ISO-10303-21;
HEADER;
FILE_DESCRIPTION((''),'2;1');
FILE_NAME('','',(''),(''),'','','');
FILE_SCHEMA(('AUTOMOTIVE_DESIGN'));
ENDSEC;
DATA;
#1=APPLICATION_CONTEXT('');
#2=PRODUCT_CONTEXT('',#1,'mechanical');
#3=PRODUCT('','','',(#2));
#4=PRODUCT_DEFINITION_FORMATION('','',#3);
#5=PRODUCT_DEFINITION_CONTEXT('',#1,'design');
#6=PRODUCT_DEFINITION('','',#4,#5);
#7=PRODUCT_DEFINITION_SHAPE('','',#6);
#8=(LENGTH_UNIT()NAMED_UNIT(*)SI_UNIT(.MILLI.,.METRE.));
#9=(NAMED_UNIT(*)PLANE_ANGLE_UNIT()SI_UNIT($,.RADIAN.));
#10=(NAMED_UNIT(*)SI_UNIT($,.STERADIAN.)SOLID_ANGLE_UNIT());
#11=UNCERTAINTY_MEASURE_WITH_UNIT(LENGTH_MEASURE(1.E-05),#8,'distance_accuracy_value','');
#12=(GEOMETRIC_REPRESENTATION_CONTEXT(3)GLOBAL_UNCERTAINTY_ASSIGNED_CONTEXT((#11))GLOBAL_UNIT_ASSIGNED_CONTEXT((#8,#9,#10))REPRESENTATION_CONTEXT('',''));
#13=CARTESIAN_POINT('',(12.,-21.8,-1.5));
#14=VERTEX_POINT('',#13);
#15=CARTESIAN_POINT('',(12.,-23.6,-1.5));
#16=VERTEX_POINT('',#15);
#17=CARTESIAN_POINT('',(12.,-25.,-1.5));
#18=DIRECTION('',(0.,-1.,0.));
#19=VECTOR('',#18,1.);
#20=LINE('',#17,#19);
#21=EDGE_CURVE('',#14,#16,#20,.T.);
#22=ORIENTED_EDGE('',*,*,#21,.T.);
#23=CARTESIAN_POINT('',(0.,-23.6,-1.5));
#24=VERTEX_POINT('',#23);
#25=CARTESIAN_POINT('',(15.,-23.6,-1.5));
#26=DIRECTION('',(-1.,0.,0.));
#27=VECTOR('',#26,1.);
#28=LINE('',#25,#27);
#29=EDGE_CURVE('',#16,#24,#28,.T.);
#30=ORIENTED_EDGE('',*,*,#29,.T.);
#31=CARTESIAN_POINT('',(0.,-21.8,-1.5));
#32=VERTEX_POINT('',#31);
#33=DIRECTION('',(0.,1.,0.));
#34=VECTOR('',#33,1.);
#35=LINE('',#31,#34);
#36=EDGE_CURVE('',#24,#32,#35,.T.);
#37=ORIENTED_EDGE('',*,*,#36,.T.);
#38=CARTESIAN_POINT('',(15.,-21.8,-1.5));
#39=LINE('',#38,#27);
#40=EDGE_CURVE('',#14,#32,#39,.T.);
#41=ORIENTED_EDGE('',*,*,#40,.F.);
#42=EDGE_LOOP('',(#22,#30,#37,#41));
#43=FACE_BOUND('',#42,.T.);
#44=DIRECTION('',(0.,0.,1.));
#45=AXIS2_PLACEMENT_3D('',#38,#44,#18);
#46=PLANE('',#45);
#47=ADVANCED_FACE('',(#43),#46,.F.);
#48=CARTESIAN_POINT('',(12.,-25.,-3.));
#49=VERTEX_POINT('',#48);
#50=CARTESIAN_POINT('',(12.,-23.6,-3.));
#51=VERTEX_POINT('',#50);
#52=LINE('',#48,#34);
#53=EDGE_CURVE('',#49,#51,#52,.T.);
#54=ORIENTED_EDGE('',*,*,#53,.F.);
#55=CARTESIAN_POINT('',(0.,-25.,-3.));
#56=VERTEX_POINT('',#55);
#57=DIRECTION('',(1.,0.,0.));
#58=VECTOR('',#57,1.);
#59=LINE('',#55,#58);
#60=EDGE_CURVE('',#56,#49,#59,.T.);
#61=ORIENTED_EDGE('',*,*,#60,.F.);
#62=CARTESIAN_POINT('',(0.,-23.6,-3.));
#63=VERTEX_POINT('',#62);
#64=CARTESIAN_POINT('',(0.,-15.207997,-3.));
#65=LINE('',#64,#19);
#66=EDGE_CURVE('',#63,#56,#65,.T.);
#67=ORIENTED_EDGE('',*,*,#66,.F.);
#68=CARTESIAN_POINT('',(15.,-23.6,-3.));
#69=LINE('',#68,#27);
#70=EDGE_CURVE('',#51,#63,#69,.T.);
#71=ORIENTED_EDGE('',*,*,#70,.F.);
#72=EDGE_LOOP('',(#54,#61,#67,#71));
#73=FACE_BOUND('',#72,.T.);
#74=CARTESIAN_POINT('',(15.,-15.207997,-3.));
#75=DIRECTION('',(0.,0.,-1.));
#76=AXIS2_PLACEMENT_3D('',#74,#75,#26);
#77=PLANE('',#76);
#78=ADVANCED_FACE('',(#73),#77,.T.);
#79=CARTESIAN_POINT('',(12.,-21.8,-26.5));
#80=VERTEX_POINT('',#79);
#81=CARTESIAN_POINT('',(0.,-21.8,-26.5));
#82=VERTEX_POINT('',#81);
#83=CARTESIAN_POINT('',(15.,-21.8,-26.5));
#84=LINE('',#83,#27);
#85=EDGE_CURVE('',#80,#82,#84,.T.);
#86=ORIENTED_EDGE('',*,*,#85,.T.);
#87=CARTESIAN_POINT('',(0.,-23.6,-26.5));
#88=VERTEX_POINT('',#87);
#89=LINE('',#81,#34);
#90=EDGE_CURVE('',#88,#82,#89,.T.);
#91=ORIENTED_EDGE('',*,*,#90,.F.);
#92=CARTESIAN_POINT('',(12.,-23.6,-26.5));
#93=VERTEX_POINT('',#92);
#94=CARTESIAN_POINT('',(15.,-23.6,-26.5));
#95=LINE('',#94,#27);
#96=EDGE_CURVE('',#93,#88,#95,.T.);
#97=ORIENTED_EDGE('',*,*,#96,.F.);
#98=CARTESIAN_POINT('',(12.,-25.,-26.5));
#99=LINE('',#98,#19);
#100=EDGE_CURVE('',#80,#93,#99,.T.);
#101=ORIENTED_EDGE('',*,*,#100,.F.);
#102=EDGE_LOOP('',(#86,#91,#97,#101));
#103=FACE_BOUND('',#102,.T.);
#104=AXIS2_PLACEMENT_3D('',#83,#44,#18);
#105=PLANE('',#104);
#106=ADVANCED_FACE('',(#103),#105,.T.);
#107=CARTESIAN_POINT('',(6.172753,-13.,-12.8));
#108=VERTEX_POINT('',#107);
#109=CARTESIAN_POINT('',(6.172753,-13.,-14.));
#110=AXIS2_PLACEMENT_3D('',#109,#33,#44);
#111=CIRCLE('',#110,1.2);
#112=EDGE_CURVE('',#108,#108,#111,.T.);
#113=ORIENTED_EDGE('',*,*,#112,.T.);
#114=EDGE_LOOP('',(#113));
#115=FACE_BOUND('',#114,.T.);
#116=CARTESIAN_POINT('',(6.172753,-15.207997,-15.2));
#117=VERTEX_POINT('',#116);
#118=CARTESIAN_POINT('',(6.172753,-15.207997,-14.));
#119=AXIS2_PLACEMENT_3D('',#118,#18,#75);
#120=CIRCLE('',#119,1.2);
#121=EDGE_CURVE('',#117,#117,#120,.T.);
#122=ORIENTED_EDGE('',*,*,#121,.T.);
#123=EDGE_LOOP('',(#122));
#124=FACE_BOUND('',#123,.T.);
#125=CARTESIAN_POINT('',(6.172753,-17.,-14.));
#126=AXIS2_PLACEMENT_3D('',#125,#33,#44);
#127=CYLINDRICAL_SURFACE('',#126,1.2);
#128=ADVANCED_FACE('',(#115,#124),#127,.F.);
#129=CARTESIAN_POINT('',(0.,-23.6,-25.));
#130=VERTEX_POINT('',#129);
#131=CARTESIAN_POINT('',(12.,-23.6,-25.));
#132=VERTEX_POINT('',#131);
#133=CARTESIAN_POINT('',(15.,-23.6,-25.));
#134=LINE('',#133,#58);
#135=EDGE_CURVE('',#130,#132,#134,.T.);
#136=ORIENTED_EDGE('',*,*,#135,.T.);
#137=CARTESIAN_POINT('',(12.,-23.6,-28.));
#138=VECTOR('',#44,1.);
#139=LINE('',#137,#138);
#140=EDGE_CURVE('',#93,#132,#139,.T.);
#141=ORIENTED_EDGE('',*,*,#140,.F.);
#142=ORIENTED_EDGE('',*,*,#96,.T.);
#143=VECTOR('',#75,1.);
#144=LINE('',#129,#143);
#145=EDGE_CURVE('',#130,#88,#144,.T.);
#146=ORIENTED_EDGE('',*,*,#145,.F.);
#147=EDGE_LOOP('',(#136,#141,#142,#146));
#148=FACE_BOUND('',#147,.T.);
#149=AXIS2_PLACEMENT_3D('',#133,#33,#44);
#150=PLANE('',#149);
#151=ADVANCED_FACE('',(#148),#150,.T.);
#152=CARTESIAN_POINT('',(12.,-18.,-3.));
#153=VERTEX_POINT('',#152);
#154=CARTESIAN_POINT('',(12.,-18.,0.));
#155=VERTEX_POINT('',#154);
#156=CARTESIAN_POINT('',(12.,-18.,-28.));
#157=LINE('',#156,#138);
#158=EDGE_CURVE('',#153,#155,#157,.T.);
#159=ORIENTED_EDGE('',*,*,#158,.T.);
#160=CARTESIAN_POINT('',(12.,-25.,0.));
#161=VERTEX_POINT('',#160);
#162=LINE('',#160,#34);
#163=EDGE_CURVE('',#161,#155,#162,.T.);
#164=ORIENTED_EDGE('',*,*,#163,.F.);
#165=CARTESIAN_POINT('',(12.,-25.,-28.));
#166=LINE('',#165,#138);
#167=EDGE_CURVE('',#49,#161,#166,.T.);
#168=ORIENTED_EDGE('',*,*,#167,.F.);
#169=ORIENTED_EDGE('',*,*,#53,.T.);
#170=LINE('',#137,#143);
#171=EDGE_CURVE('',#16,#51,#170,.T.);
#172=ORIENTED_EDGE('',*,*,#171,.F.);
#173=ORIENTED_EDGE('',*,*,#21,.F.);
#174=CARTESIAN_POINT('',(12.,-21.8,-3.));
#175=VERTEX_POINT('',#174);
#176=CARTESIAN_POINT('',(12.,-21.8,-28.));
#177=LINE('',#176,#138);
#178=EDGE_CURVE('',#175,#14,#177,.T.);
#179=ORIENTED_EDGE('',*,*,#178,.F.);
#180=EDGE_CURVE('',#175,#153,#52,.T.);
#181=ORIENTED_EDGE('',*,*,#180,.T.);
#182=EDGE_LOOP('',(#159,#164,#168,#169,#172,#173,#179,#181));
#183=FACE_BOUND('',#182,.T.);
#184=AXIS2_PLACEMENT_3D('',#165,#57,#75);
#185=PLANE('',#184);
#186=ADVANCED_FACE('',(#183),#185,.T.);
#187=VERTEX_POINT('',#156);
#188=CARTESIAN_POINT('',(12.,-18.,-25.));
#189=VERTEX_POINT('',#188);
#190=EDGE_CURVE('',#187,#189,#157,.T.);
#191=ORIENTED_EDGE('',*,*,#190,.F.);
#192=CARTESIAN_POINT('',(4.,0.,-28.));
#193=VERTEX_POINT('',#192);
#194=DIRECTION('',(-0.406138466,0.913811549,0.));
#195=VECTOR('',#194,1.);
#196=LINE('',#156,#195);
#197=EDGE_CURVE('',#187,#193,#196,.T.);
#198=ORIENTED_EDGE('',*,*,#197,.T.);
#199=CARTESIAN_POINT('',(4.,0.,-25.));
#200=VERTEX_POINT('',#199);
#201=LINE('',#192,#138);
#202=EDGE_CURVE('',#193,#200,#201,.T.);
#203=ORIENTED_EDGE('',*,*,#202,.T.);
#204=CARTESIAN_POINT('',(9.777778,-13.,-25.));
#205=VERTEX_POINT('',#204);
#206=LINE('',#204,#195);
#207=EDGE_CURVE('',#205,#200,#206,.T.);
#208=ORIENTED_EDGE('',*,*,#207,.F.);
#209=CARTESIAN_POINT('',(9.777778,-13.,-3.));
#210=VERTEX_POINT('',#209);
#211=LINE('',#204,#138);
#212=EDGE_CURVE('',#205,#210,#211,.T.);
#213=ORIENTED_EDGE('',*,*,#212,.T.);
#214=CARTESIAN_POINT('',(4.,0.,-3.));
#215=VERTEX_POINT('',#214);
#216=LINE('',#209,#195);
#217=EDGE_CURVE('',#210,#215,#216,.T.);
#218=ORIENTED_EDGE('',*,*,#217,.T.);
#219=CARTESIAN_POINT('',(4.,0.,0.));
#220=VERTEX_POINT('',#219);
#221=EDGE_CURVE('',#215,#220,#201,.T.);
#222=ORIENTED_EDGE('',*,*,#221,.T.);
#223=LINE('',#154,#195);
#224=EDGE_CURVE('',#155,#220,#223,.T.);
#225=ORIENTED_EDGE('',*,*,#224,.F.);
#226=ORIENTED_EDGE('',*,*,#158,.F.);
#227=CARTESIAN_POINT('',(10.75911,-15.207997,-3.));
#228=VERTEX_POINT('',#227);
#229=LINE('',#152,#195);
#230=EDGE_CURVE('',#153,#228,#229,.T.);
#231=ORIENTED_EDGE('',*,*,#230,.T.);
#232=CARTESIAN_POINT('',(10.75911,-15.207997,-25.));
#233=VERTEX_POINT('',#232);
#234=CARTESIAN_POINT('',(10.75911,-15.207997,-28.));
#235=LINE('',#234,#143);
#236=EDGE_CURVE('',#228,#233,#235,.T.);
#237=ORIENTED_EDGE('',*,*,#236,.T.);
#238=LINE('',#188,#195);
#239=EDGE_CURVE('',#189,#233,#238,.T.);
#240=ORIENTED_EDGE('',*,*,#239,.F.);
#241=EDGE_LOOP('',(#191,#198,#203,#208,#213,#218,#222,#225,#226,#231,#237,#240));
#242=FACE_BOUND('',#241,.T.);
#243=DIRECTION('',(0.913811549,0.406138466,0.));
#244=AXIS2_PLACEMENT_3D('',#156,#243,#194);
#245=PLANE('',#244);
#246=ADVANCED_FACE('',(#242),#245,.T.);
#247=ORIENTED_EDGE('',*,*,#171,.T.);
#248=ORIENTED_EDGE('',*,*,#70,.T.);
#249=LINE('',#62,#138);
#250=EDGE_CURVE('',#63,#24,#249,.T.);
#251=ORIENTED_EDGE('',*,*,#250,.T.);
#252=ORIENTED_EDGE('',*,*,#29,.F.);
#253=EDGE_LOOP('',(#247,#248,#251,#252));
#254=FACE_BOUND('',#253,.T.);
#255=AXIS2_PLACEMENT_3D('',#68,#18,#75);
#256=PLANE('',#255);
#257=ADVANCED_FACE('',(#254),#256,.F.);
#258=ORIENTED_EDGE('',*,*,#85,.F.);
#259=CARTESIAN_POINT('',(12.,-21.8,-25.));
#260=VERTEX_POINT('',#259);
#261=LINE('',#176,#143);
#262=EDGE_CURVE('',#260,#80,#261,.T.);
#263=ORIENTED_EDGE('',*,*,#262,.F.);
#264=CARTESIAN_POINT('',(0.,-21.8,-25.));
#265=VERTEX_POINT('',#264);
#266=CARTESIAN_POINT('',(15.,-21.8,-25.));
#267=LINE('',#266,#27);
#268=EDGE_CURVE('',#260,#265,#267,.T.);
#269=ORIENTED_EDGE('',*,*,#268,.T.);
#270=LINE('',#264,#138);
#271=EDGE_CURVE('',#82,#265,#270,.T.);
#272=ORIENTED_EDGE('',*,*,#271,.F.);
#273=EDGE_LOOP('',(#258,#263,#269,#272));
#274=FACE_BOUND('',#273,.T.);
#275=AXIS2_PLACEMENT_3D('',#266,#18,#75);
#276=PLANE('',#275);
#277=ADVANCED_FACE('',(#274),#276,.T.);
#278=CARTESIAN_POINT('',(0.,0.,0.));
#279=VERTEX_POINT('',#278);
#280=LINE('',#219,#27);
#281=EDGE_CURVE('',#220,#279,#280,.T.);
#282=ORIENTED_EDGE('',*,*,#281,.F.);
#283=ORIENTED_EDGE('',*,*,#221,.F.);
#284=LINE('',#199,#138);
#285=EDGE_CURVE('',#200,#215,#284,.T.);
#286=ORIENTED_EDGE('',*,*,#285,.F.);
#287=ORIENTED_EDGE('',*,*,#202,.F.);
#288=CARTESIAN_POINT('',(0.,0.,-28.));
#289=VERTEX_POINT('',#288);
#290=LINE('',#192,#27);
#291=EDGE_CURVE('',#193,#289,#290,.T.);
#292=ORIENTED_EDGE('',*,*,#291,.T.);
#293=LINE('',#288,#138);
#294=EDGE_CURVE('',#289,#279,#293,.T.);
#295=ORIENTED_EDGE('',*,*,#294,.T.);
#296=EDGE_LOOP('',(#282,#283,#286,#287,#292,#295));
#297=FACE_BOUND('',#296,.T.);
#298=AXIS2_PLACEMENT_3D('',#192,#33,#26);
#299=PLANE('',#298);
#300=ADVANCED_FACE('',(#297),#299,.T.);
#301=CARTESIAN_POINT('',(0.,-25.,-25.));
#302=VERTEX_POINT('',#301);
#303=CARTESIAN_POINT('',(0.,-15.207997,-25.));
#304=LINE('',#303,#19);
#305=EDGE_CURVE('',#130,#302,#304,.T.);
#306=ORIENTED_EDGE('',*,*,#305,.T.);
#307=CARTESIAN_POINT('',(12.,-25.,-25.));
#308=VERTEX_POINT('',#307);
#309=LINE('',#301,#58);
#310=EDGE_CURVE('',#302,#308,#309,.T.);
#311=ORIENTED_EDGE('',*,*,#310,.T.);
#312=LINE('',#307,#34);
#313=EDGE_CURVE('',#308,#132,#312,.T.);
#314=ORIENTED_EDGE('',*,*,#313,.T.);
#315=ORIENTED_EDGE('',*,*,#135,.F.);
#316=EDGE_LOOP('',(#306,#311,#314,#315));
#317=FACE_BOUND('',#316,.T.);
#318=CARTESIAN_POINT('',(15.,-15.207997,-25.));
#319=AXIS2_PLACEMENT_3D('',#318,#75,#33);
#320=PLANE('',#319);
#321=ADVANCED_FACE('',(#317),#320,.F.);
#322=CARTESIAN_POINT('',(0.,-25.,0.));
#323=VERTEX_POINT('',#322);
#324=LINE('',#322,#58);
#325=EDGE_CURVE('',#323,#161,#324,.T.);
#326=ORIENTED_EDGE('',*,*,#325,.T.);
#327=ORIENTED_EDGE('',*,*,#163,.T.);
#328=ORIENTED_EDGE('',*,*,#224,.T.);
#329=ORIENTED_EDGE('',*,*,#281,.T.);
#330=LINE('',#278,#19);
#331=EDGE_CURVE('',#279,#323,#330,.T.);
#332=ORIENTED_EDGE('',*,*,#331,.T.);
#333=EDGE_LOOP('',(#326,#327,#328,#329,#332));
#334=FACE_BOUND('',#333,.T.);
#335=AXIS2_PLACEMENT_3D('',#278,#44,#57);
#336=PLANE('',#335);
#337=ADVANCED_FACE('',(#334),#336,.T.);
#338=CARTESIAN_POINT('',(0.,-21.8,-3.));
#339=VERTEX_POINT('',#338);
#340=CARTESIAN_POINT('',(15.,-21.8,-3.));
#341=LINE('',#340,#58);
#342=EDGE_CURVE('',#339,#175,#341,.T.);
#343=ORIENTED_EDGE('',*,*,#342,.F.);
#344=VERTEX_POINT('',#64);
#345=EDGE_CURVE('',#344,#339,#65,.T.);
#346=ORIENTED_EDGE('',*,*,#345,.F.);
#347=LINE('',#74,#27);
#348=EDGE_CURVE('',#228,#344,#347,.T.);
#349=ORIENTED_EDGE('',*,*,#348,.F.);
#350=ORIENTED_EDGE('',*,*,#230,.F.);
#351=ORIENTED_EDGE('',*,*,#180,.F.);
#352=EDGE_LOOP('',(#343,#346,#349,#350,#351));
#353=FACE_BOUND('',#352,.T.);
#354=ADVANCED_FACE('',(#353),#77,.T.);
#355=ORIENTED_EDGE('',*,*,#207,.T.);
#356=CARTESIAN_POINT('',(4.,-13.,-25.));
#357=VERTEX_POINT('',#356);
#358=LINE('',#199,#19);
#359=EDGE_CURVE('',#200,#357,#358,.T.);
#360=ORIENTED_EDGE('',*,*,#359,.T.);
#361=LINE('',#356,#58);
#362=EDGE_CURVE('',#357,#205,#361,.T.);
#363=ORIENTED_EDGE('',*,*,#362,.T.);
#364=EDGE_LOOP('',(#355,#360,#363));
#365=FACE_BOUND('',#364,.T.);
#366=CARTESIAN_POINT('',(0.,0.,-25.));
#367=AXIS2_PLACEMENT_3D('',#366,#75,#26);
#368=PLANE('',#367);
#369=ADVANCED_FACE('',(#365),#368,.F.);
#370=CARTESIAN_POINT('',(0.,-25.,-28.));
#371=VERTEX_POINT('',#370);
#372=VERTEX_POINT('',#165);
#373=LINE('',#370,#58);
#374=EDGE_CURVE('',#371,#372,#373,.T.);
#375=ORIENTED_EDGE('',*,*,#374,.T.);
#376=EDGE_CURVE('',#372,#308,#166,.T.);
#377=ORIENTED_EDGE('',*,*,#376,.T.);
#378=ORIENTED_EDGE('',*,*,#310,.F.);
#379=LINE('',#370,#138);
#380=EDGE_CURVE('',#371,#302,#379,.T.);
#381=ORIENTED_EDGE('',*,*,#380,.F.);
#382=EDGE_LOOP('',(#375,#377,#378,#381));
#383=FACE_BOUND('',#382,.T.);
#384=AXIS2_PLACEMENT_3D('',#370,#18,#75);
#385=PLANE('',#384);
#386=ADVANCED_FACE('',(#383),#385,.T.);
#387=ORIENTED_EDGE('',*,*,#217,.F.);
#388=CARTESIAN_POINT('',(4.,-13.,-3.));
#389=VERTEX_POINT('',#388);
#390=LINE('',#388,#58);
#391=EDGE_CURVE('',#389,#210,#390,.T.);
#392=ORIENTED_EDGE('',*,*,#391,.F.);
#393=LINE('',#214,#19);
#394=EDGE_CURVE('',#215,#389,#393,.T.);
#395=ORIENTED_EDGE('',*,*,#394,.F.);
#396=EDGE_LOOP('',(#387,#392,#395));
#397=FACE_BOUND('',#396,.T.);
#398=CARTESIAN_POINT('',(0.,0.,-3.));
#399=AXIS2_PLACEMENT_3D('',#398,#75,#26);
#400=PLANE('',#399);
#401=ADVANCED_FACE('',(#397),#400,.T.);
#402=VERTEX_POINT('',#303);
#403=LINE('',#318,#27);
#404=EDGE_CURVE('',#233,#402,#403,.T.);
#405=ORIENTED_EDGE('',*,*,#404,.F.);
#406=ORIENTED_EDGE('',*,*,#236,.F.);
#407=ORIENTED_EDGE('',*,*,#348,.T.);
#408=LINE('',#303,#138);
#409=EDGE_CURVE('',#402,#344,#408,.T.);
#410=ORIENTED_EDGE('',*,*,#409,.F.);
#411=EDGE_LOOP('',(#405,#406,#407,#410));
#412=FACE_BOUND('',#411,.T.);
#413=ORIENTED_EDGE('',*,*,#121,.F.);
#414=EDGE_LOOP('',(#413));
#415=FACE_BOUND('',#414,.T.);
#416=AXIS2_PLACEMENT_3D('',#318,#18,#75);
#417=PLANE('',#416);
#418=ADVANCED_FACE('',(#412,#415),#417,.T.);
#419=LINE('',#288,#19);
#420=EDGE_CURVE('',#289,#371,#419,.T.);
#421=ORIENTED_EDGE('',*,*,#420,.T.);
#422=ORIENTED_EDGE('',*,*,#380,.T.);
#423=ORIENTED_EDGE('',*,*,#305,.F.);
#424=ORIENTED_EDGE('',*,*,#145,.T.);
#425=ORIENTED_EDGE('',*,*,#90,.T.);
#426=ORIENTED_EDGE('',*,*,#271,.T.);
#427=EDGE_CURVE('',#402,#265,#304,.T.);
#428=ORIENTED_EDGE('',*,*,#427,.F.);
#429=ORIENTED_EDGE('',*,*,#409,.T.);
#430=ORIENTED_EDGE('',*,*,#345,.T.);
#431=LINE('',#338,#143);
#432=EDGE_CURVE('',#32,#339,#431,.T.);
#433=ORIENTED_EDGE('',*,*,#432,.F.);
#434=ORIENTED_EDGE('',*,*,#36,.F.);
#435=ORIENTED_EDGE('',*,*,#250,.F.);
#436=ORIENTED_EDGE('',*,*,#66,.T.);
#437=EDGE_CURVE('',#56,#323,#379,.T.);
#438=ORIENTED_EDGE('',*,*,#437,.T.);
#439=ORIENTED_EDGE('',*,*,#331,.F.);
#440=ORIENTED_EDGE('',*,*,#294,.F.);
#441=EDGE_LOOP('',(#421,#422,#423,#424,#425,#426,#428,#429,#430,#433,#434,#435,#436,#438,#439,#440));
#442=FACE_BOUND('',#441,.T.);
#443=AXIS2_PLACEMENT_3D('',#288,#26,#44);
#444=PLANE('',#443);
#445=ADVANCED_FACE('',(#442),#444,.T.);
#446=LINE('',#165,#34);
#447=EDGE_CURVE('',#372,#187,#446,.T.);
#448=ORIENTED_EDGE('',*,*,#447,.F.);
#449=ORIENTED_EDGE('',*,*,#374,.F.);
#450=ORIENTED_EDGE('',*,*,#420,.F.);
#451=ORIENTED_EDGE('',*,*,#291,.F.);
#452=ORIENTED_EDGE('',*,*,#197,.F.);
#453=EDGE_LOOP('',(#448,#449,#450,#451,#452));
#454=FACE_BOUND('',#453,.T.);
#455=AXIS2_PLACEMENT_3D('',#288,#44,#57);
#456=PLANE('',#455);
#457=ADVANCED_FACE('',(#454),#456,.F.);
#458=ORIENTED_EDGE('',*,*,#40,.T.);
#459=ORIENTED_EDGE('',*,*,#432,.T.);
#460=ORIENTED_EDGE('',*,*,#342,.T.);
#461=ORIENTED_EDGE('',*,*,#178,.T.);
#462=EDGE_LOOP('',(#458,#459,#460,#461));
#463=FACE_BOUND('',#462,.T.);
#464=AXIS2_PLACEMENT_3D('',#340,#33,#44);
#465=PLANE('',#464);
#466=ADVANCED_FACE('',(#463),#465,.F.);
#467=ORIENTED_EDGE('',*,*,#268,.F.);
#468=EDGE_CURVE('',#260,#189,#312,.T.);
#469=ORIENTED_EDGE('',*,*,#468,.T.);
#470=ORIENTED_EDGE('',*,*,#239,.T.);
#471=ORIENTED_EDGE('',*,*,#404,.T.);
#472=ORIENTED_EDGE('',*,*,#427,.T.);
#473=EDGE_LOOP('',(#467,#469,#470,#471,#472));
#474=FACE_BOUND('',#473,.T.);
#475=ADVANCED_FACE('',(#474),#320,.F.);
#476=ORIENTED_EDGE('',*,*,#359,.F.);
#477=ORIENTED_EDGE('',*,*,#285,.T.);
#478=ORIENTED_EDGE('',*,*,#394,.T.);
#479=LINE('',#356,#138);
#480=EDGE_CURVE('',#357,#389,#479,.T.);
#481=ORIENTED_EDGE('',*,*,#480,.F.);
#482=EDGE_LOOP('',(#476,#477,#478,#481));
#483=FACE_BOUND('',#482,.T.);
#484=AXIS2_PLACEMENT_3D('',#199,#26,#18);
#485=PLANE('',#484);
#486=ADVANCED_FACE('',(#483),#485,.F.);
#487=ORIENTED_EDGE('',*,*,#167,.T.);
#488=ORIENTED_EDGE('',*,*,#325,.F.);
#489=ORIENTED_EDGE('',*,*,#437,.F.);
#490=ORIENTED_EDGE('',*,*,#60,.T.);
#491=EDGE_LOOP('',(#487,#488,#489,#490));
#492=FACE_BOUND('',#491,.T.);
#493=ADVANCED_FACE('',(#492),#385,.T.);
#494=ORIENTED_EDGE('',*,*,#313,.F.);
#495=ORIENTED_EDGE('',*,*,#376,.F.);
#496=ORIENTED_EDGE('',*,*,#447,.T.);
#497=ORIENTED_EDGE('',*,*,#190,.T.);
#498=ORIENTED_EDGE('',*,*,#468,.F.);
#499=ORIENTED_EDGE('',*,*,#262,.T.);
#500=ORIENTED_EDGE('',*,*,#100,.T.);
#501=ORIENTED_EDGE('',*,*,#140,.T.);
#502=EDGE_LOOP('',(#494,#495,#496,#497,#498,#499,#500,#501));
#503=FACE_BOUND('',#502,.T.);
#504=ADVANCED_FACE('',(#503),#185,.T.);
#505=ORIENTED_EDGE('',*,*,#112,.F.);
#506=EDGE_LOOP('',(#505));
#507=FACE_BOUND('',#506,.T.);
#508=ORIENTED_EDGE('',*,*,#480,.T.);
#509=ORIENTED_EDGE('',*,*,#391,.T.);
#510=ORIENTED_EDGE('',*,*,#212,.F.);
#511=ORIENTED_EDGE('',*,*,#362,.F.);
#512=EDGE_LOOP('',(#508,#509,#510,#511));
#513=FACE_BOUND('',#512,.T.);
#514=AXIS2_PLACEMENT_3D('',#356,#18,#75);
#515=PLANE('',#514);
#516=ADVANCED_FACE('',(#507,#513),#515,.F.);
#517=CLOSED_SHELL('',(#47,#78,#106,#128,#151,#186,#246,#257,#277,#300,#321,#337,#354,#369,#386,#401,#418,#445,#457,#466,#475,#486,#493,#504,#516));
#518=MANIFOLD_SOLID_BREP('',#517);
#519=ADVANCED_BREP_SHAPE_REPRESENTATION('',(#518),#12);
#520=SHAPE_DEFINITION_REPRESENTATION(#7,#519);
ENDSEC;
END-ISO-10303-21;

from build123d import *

# Parameters (mm, degrees)
BOSS_EXTRUDE1_DEPTH = 28
SKETCH4_W           = 22
SKETCH4_H           = 10
CUT_EXTRUDE2_DEPTH  = 15
SKETCH5_W           = 1.5
SKETCH5_H           = 1.8
CUT_EXTRUDE3_DEPTH  = 15
CUT_EXTRUDE4_DEPTH  = 11
SKETCH7_R           = 1.2
CUT_EXTRUDE5_DEPTH  = 4


with BuildPart() as part:
    # Sketch1 → Boss-Extrude1 (new body)
    with BuildSketch(Plane.XY):
        Polygon((0, 0), (0, -25), (12, -25), (12, -18), (4, 0), align=None)
    extrude(amount=-BOSS_EXTRUDE1_DEPTH)

    # Sketch4 → Cut-Extrude2 (cut)
    with BuildSketch(Plane.ZY):
        with Locations((-14, -20.207997185)):
            Rectangle(SKETCH4_W, SKETCH4_H)
    extrude(amount=-CUT_EXTRUDE2_DEPTH, mode=Mode.SUBTRACT)

    # Sketch5 → Cut-Extrude3 (cut)
    with BuildSketch(Plane.ZY):
        with Locations((-2.25, -22.7)):
            Rectangle(SKETCH5_W, SKETCH5_H)
    cut_extrude3 = extrude(amount=-CUT_EXTRUDE3_DEPTH, mode=Mode.SUBTRACT)

    # Mirror1: Cut-Extrude3 across plane
    add(cut_extrude3.mirror(Plane.XY.offset(-14)), mode=Mode.SUBTRACT)

    # Sketch6 → Cut-Extrude4 (cut, symmetric)
    with BuildSketch(Plane.XY.offset(-14)):
        Polygon((4, 0), (4, -13), (9.777777778, -13), align=None)
    extrude(amount=CUT_EXTRUDE4_DEPTH, both=True, mode=Mode.SUBTRACT)

    # Sketch7 → Cut-Extrude5 (cut)
    with BuildSketch(Plane(origin=(0, -13, 0), x_dir=(1, 0, 0), z_dir=(0, 1, 0))):
        with Locations(Location((6.172753197, 14, 0), (0, 0, 270))):
            Circle(SKETCH7_R)
    extrude(amount=-CUT_EXTRUDE5_DEPTH, mode=Mode.SUBTRACT)


solid = part.part
